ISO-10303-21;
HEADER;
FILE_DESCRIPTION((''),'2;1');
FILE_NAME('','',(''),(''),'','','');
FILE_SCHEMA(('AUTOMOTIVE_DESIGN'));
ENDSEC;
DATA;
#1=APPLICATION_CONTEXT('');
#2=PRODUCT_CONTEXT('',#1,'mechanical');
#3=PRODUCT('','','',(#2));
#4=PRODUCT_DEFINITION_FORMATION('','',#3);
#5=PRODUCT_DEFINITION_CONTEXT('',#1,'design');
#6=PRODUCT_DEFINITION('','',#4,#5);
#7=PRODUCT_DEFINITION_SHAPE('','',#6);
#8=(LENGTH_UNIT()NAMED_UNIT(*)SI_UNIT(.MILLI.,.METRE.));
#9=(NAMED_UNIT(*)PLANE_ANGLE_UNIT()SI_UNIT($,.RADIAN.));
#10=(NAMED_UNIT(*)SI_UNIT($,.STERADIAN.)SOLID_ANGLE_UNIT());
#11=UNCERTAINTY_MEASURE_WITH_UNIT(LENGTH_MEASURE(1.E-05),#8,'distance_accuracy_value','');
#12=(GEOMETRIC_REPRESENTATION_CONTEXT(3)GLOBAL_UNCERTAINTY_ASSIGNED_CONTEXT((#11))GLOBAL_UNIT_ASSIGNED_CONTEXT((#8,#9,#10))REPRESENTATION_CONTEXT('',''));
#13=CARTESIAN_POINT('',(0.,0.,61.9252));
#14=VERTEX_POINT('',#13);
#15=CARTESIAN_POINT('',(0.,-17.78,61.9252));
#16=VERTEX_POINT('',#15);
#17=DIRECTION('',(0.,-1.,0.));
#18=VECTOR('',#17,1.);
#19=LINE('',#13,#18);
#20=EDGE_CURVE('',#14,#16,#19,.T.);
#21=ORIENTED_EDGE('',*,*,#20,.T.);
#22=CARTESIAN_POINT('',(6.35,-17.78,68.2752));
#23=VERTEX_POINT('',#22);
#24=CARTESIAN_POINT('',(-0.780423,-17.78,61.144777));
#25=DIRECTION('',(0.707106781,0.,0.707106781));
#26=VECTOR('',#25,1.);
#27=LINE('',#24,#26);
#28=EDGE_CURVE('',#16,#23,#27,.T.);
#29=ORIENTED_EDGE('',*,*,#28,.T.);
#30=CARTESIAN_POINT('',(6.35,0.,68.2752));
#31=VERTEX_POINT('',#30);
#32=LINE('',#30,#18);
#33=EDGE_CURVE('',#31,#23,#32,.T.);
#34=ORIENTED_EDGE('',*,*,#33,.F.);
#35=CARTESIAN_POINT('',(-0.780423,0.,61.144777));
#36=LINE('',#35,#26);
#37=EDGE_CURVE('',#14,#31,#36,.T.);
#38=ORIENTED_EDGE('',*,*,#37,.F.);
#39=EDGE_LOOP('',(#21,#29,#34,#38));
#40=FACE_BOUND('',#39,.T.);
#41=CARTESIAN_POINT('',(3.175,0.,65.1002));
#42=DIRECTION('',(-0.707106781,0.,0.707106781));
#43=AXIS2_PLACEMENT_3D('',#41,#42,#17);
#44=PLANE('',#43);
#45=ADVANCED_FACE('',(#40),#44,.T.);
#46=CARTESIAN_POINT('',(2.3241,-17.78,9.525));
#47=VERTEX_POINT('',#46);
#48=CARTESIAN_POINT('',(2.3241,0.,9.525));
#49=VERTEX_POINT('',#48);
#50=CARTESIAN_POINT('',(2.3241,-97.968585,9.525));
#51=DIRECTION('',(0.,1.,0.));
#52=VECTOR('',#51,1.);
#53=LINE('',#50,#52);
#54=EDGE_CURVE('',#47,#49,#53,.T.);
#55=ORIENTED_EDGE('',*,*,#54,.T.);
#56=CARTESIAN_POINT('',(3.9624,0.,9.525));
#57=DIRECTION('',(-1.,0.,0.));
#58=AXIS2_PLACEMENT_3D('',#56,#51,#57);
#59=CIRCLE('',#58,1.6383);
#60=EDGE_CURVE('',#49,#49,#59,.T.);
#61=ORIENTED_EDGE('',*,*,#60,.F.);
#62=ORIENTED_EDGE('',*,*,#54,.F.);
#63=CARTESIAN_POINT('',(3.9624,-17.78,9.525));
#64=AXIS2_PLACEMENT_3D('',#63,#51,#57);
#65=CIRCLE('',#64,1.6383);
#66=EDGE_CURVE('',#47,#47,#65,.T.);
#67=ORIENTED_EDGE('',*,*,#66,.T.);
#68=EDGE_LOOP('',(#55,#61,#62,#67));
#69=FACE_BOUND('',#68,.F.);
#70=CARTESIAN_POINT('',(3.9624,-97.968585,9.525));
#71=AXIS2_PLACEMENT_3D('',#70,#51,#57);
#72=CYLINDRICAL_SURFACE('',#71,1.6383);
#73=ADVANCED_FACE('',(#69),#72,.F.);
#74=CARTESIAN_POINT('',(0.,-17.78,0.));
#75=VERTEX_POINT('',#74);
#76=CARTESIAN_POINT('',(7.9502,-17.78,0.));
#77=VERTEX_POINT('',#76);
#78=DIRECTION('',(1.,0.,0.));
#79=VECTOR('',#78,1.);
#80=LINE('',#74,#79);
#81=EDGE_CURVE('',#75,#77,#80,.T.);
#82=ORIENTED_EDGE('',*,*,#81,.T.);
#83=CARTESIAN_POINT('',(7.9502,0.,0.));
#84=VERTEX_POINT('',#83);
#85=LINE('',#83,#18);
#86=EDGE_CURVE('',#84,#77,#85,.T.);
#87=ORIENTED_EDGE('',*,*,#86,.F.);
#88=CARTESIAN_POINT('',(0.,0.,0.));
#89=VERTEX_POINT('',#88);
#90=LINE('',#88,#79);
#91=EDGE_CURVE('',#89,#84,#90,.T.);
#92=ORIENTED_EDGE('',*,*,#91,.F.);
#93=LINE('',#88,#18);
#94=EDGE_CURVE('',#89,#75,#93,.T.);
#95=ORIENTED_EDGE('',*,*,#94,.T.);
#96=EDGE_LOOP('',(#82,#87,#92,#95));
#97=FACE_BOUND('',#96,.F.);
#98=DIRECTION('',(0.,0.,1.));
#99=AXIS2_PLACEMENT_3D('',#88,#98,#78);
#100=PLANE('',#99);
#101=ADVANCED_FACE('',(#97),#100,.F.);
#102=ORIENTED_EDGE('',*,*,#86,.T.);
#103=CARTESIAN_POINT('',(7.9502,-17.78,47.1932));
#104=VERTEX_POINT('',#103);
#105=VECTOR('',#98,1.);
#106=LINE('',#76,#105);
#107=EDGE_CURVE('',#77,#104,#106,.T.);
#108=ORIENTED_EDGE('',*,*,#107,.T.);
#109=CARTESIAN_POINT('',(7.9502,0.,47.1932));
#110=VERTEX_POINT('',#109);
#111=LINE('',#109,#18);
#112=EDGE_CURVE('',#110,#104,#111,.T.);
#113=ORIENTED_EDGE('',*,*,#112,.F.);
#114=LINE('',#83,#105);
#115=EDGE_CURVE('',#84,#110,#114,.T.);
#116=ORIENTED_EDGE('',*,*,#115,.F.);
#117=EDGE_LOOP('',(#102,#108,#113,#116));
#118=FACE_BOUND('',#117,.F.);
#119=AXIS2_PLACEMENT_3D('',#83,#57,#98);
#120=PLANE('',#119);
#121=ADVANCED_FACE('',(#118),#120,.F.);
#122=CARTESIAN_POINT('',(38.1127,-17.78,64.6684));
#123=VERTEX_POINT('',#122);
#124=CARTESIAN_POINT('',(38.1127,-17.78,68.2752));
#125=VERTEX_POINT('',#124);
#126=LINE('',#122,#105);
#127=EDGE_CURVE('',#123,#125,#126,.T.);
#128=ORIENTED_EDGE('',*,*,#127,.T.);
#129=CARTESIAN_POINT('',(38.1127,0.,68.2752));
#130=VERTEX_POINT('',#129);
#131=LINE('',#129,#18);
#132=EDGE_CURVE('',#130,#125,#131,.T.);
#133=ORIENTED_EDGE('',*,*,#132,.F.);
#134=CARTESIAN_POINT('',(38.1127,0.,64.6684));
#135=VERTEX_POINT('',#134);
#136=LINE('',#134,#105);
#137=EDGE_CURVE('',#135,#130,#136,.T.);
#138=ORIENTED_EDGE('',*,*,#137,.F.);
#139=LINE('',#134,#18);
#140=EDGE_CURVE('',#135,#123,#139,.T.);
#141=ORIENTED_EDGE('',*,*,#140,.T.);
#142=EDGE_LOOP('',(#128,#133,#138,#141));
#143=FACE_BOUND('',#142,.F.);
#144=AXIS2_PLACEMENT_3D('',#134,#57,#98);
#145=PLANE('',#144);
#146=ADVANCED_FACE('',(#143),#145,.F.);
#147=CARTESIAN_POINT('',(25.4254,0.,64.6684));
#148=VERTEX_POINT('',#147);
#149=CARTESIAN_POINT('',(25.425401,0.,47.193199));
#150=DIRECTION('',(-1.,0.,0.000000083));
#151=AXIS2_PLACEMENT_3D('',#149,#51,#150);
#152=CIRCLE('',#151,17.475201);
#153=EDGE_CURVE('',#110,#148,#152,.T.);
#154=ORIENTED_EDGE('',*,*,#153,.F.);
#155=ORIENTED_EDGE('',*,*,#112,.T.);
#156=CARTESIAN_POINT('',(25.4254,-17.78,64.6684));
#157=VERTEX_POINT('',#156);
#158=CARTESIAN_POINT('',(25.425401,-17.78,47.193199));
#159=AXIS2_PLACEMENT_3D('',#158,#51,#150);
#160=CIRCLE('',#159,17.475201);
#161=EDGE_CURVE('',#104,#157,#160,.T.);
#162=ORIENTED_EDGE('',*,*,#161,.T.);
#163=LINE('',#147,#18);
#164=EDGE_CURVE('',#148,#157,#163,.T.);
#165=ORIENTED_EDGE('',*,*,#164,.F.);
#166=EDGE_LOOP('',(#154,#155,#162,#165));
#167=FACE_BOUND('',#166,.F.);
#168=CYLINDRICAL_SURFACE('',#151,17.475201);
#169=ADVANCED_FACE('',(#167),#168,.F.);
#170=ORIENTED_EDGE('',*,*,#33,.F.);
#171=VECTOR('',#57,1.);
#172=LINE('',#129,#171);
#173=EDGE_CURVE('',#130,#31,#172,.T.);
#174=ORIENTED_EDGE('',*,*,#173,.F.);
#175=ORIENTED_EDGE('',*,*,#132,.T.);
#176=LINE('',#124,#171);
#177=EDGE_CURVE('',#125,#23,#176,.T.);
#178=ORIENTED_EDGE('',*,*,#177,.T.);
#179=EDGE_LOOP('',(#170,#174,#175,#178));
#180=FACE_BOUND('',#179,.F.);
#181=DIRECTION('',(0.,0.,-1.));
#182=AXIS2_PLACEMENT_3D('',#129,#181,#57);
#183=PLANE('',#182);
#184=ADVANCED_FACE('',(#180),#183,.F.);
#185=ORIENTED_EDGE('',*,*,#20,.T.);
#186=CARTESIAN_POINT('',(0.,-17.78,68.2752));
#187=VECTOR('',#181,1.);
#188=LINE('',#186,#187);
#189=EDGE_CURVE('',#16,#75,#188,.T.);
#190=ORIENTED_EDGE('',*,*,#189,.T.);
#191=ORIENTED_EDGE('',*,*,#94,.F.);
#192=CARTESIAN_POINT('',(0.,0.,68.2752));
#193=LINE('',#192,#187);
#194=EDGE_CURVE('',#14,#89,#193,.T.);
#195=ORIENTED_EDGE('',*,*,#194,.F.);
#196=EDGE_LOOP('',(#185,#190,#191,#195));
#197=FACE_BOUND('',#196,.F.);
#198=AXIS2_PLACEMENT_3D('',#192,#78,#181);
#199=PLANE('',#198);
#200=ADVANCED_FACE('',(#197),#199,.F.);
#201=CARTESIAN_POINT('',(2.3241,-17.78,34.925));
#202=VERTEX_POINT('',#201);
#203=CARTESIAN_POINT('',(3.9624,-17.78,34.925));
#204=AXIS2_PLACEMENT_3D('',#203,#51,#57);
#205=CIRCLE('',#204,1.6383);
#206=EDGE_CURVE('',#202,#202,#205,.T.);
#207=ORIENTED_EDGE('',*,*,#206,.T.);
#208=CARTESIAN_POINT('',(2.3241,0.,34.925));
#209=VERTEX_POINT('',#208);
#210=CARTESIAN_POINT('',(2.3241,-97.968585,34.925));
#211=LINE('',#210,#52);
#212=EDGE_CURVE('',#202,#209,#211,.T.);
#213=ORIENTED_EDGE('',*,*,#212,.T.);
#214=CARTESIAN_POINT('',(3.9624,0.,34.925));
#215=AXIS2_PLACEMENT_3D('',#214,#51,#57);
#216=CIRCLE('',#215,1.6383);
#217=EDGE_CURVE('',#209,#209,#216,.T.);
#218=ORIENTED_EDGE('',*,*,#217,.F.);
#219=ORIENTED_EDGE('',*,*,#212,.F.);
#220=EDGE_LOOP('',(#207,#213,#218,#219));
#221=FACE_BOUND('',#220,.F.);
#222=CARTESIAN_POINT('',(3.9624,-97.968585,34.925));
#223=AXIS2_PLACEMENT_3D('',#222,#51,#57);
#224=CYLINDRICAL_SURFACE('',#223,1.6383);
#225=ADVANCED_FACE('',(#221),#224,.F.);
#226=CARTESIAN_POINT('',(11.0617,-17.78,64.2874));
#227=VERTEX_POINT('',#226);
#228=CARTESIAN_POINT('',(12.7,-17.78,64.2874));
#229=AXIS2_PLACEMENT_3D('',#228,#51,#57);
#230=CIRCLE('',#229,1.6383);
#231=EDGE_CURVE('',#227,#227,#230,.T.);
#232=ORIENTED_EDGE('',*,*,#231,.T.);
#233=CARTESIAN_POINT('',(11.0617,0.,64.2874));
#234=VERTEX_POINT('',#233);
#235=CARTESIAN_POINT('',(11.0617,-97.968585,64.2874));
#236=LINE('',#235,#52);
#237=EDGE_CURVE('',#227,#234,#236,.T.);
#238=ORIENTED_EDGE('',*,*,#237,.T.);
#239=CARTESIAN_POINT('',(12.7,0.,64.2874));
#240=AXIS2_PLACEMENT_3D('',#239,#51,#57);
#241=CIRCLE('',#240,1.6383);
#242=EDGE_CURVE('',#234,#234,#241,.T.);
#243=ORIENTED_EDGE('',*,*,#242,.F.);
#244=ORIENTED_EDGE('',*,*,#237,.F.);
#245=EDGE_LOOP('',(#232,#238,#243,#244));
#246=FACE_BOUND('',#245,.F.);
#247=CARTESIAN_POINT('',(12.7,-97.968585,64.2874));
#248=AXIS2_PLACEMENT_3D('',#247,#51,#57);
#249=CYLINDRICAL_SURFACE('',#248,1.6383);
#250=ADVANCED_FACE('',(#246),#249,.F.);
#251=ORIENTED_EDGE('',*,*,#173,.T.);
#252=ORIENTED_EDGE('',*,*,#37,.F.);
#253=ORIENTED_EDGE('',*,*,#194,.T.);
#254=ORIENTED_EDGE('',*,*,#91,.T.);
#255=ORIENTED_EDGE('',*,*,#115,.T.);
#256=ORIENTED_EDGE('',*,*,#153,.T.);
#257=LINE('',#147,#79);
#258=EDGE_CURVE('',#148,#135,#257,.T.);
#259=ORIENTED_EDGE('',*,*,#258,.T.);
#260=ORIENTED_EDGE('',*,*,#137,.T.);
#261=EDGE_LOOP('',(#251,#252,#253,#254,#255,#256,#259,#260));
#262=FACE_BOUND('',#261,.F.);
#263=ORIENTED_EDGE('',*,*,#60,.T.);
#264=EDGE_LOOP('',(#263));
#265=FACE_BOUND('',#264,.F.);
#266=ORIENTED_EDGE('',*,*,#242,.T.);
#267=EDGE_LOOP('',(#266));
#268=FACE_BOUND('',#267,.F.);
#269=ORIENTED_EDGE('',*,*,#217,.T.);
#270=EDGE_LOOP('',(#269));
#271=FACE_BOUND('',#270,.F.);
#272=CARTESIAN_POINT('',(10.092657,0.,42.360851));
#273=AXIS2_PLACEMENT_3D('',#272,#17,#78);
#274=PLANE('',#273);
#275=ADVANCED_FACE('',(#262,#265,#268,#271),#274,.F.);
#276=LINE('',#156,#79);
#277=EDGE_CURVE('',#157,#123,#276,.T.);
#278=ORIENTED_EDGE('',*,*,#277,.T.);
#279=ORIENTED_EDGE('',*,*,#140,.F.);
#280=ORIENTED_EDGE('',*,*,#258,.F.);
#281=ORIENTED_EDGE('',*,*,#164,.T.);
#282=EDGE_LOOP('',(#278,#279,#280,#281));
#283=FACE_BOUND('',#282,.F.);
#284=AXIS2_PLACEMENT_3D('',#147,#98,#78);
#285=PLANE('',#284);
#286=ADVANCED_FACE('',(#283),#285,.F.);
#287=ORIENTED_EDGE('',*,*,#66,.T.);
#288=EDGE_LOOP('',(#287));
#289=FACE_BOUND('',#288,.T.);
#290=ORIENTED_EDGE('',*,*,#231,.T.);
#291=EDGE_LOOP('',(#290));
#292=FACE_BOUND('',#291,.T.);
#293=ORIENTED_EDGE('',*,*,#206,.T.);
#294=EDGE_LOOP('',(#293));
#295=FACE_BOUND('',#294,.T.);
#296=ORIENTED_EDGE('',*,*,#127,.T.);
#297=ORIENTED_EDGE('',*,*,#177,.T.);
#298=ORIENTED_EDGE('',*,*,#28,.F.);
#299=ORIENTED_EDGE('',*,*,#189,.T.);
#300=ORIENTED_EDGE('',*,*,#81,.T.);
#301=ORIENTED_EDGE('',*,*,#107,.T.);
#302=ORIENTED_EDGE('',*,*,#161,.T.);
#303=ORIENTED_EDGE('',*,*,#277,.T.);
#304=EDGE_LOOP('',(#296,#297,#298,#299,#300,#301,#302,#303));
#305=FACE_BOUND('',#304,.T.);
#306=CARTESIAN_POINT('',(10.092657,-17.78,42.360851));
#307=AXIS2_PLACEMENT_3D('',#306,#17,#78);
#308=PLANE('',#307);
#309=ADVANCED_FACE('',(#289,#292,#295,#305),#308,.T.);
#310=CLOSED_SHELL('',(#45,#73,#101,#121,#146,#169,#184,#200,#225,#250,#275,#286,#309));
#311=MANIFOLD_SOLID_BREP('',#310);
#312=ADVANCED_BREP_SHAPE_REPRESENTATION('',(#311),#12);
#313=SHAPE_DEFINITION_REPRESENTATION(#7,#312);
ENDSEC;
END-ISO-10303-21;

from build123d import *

# Parameters (mm, degrees)
F1_DEPTH = 17.78
F2_SIZE  = 6.35
F4_D     = 3.2766


with BuildPart() as f1:
    # F0 (on Front) → F1 (new body)
    with BuildSketch(Plane.XZ):
        with BuildLine():
            Line((0, 68.2752), (0, 0))
            Line((0, 0), (7.9502, 0))
            Line((7.9502, 0), (7.9502, 47.1932))
            ThreePointArc((7.9502, 47.1932), (13.068568, 59.550032), (25.4254, 64.6684))
            Line((25.4254, 64.6684), (38.1127, 64.6684))
            Line((38.1127, 64.6684), (38.1127, 68.2752))
            Line((38.1127, 68.2752), (0, 68.2752))
        make_face()
    extrude(amount=F1_DEPTH)

    # F2
    f2_edges = [f1.edges().sort_by_distance(p)[0] for p in [
        (0, -8.89, 68.2752),
    ]]
    chamfer(f2_edges, length=F2_SIZE)

    # F4 (through all)
    with Locations(Plane.XZ.offset(17.78)):
        with Locations((12.7, 64.2874), (3.9624, 9.525), (3.9624, 34.925)):
            Hole(F4_D / 2)


solid = f1.part
